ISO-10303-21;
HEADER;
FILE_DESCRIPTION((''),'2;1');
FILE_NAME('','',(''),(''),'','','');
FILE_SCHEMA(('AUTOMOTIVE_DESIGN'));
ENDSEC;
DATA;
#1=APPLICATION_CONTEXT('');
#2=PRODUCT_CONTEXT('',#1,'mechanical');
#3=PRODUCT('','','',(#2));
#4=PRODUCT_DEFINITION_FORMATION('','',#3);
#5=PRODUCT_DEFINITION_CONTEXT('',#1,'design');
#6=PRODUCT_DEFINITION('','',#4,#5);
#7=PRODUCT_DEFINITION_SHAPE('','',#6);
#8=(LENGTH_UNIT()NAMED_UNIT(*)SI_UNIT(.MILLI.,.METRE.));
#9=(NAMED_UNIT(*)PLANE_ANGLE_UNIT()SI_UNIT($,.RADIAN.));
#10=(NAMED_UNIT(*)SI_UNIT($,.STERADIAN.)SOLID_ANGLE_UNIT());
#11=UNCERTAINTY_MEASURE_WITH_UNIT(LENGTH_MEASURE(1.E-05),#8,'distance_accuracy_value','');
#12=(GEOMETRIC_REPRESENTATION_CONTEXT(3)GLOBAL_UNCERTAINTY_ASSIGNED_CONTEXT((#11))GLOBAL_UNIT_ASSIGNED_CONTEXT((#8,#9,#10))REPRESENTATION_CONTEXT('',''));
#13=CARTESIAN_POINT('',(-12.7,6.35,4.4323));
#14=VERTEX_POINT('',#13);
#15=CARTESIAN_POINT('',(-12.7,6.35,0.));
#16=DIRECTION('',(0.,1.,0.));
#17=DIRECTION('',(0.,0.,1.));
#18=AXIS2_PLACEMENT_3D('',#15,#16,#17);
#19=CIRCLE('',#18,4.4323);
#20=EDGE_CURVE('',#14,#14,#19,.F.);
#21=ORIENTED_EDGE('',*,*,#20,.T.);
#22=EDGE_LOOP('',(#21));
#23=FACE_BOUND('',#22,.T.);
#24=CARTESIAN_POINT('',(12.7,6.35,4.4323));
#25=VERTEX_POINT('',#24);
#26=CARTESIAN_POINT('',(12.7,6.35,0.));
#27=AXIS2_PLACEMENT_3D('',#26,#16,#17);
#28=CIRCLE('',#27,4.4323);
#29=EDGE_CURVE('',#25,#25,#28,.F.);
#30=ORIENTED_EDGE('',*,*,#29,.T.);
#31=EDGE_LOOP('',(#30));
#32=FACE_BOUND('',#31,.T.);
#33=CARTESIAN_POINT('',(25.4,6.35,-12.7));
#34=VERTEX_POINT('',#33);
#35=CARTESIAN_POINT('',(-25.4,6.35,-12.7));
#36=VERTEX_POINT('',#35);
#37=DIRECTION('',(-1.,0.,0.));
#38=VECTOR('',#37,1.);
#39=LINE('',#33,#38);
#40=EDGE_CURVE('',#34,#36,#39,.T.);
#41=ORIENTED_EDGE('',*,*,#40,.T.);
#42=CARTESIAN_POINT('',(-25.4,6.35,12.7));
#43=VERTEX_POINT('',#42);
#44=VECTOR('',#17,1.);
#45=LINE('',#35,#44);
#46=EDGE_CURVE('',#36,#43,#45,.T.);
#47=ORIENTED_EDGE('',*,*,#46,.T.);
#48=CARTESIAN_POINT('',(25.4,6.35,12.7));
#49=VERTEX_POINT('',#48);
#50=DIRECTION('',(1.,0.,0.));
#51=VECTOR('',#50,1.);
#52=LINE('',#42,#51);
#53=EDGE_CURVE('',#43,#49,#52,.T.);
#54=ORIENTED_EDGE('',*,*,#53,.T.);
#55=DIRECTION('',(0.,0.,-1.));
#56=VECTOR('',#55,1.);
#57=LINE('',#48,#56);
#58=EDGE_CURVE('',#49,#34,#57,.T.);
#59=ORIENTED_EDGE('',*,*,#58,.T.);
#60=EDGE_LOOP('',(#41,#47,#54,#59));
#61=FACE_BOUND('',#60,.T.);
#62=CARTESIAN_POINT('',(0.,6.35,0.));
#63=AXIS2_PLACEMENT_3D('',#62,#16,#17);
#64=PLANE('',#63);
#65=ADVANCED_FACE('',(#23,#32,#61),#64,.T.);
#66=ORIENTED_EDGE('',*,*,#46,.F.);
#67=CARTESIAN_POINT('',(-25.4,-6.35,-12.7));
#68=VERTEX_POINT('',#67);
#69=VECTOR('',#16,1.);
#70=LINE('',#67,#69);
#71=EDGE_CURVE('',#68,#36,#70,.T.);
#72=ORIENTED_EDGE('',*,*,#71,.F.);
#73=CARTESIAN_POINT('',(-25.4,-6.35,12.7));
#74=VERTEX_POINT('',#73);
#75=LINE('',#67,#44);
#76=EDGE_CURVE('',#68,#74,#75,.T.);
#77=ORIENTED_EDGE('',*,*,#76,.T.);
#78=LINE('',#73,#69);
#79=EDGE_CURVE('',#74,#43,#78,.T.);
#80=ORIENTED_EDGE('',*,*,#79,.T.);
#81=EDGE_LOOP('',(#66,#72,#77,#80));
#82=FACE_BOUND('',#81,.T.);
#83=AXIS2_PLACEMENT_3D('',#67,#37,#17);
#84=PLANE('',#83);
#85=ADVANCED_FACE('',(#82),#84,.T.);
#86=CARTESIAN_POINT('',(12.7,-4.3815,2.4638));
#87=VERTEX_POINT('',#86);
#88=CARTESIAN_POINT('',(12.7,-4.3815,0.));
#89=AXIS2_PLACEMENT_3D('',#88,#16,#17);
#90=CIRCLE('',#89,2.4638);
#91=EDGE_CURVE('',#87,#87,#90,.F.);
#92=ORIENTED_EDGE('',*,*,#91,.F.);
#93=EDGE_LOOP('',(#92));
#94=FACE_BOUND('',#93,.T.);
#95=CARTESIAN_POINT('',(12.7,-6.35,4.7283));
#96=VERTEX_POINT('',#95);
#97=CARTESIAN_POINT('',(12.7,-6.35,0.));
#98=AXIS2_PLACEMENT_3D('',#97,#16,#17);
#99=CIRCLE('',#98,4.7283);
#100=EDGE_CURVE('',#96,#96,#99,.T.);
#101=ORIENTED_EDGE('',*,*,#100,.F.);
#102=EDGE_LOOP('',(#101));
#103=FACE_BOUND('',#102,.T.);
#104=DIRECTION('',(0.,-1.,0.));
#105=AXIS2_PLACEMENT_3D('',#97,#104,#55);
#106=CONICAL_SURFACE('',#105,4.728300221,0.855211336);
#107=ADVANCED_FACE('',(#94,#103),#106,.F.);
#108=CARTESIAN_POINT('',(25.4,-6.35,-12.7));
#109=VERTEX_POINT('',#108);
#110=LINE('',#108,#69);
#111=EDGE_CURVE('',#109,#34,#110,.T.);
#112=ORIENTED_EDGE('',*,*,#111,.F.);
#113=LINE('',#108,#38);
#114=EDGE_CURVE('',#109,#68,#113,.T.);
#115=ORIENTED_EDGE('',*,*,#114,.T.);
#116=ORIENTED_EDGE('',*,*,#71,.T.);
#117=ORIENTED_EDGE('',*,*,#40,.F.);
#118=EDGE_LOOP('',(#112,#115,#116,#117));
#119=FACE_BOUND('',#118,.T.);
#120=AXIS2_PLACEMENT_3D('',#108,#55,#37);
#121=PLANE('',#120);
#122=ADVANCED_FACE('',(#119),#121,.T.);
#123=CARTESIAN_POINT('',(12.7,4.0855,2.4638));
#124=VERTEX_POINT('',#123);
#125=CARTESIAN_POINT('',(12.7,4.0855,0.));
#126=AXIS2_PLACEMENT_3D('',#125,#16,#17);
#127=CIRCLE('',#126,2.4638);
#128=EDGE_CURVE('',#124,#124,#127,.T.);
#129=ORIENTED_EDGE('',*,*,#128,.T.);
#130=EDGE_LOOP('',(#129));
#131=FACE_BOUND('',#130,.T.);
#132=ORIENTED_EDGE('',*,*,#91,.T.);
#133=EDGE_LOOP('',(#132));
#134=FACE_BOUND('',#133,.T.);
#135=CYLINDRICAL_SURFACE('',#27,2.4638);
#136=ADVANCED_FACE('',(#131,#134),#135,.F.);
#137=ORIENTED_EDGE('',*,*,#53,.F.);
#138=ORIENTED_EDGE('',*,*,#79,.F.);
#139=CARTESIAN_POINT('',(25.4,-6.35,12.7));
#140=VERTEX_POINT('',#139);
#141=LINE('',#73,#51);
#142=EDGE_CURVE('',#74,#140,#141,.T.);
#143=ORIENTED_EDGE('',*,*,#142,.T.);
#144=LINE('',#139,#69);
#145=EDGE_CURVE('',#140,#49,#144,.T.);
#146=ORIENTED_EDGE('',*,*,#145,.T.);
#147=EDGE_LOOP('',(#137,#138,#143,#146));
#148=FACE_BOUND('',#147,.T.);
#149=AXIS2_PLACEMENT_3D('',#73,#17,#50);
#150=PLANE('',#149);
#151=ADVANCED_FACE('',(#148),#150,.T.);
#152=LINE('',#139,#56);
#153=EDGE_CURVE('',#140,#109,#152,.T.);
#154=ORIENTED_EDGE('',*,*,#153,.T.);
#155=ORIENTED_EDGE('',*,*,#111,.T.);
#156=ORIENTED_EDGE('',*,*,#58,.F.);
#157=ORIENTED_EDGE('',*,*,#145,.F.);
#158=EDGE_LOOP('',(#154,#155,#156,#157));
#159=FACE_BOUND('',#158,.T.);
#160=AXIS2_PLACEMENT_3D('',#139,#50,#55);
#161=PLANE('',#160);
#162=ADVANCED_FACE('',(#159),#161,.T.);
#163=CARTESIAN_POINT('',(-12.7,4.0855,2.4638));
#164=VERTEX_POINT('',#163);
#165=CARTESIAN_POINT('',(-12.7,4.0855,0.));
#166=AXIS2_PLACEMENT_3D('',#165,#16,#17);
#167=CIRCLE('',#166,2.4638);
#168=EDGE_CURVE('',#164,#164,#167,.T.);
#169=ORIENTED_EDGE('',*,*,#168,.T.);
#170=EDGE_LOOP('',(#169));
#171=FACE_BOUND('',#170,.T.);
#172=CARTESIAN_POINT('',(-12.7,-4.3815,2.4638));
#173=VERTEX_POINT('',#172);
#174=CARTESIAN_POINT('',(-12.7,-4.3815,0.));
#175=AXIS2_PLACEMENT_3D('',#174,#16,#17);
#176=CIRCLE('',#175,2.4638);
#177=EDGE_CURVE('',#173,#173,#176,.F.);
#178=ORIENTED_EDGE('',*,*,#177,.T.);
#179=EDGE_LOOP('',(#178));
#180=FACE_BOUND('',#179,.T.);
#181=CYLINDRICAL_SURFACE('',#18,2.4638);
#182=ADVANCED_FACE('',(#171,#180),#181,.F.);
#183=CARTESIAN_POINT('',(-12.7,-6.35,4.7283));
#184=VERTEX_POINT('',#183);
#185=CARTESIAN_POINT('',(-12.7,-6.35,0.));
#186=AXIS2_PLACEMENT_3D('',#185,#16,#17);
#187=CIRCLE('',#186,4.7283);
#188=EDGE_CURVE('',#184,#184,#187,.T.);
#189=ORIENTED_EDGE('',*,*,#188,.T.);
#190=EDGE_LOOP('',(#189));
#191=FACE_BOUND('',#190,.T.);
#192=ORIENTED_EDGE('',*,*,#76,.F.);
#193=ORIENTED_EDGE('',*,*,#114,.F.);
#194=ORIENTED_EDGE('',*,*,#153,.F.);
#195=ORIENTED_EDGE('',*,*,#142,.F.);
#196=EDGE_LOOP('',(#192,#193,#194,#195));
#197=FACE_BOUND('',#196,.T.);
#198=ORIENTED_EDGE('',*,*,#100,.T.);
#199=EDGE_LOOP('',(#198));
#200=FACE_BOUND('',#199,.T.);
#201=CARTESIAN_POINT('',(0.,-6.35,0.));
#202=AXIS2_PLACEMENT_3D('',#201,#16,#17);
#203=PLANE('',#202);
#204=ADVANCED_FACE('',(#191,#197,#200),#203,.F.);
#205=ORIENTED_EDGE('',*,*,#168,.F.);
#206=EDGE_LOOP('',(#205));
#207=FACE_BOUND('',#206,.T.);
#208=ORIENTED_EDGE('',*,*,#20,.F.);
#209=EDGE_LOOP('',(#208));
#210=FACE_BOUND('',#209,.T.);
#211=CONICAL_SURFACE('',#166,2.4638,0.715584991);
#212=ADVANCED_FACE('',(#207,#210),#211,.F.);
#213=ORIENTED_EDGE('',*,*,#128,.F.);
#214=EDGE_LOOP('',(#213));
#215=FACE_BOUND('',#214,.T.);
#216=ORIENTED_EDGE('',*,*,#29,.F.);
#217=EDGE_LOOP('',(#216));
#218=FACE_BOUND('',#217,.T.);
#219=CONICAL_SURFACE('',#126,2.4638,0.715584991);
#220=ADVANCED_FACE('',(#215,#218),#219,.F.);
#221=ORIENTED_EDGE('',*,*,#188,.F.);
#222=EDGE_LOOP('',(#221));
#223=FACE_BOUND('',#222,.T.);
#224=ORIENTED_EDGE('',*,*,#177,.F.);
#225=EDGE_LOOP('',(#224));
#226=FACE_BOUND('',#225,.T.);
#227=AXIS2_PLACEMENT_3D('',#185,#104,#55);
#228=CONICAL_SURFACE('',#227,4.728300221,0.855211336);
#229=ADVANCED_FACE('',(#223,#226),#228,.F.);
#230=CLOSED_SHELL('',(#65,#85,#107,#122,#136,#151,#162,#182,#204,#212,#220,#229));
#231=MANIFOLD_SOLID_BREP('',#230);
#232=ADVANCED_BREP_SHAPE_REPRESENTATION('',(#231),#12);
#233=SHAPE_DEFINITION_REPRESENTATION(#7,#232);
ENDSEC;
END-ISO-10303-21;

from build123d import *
from OCP.BRepFilletAPI import BRepFilletAPI_MakeChamfer

# Parameters (mm, degrees)
SKETCH1_W           = 50.8
SKETCH1_H           = 25.4
BOSS_EXTRUDE1_DEPTH = 12.7
HOLE1_D             = 4.9276
CHAMFER1_SIZE       = 1.9685
CHAMFER1_SIZE2      = 2.264500221


with BuildPart() as part:
    # Sketch1 → Boss-Extrude1 (new body)
    with BuildSketch(Plane(origin=(0, 6.35, 0), x_dir=(1, 0, 0), z_dir=(0, 1, 0))):
        Rectangle(SKETCH1_W, SKETCH1_H)
    extrude(amount=-BOSS_EXTRUDE1_DEPTH)

    # Hole1 (through all)
    with Locations(Plane(origin=(0, 6.35, 0), x_dir=(1, 0, 0), z_dir=(0, 1, 0))):
        with Locations((-12.7, 0), (12.7, 0)):
            Hole(HOLE1_D / 2)

    # Chamfer1: one chamfer whose edges measure the first distance from different faces: ONE call of the kernel's chamfer builder (chamfer() names one face for all edges)
    chamfer1_edges_1 = [part.edges().sort_by_distance(p)[0] for p in [
        (15.1638, 6.35, 0),
        (-10.2362, 6.35, 0),
    ]]
    chamfer1_side_1 = [part.faces().sort_by_distance(p)[0] for p in [
        (0, 6.35, 0),
    ]]
    chamfer1_edges_2 = [part.edges().sort_by_distance(p)[0] for p in [
        (15.1638, -6.35, 0),
    ]]
    chamfer1_side_2 = [part.faces().sort_by_distance(p)[0] for p in [
        (15.1638, 0, 0),
    ]]
    chamfer1_edges_3 = [part.edges().sort_by_distance(p)[0] for p in [
        (-10.2362, -6.35, 0),
    ]]
    chamfer1_side_3 = [part.faces().sort_by_distance(p)[0] for p in [
        (-10.2362, 0, 0),
    ]]
    chamfer1 = BRepFilletAPI_MakeChamfer(part.part.solid().wrapped)
    for e in chamfer1_edges_1:
        chamfer1.Add(CHAMFER1_SIZE, CHAMFER1_SIZE2, e.wrapped, chamfer1_side_1[0].wrapped)  # the first distance lies on this face
    for e in chamfer1_edges_2:
        chamfer1.Add(CHAMFER1_SIZE, CHAMFER1_SIZE2, e.wrapped, chamfer1_side_2[0].wrapped)  # the first distance lies on this face
    for e in chamfer1_edges_3:
        chamfer1.Add(CHAMFER1_SIZE, CHAMFER1_SIZE2, e.wrapped, chamfer1_side_3[0].wrapped)  # the first distance lies on this face
    add(Compound.cast(chamfer1.Shape()), mode=Mode.REPLACE)


solid = part.part
